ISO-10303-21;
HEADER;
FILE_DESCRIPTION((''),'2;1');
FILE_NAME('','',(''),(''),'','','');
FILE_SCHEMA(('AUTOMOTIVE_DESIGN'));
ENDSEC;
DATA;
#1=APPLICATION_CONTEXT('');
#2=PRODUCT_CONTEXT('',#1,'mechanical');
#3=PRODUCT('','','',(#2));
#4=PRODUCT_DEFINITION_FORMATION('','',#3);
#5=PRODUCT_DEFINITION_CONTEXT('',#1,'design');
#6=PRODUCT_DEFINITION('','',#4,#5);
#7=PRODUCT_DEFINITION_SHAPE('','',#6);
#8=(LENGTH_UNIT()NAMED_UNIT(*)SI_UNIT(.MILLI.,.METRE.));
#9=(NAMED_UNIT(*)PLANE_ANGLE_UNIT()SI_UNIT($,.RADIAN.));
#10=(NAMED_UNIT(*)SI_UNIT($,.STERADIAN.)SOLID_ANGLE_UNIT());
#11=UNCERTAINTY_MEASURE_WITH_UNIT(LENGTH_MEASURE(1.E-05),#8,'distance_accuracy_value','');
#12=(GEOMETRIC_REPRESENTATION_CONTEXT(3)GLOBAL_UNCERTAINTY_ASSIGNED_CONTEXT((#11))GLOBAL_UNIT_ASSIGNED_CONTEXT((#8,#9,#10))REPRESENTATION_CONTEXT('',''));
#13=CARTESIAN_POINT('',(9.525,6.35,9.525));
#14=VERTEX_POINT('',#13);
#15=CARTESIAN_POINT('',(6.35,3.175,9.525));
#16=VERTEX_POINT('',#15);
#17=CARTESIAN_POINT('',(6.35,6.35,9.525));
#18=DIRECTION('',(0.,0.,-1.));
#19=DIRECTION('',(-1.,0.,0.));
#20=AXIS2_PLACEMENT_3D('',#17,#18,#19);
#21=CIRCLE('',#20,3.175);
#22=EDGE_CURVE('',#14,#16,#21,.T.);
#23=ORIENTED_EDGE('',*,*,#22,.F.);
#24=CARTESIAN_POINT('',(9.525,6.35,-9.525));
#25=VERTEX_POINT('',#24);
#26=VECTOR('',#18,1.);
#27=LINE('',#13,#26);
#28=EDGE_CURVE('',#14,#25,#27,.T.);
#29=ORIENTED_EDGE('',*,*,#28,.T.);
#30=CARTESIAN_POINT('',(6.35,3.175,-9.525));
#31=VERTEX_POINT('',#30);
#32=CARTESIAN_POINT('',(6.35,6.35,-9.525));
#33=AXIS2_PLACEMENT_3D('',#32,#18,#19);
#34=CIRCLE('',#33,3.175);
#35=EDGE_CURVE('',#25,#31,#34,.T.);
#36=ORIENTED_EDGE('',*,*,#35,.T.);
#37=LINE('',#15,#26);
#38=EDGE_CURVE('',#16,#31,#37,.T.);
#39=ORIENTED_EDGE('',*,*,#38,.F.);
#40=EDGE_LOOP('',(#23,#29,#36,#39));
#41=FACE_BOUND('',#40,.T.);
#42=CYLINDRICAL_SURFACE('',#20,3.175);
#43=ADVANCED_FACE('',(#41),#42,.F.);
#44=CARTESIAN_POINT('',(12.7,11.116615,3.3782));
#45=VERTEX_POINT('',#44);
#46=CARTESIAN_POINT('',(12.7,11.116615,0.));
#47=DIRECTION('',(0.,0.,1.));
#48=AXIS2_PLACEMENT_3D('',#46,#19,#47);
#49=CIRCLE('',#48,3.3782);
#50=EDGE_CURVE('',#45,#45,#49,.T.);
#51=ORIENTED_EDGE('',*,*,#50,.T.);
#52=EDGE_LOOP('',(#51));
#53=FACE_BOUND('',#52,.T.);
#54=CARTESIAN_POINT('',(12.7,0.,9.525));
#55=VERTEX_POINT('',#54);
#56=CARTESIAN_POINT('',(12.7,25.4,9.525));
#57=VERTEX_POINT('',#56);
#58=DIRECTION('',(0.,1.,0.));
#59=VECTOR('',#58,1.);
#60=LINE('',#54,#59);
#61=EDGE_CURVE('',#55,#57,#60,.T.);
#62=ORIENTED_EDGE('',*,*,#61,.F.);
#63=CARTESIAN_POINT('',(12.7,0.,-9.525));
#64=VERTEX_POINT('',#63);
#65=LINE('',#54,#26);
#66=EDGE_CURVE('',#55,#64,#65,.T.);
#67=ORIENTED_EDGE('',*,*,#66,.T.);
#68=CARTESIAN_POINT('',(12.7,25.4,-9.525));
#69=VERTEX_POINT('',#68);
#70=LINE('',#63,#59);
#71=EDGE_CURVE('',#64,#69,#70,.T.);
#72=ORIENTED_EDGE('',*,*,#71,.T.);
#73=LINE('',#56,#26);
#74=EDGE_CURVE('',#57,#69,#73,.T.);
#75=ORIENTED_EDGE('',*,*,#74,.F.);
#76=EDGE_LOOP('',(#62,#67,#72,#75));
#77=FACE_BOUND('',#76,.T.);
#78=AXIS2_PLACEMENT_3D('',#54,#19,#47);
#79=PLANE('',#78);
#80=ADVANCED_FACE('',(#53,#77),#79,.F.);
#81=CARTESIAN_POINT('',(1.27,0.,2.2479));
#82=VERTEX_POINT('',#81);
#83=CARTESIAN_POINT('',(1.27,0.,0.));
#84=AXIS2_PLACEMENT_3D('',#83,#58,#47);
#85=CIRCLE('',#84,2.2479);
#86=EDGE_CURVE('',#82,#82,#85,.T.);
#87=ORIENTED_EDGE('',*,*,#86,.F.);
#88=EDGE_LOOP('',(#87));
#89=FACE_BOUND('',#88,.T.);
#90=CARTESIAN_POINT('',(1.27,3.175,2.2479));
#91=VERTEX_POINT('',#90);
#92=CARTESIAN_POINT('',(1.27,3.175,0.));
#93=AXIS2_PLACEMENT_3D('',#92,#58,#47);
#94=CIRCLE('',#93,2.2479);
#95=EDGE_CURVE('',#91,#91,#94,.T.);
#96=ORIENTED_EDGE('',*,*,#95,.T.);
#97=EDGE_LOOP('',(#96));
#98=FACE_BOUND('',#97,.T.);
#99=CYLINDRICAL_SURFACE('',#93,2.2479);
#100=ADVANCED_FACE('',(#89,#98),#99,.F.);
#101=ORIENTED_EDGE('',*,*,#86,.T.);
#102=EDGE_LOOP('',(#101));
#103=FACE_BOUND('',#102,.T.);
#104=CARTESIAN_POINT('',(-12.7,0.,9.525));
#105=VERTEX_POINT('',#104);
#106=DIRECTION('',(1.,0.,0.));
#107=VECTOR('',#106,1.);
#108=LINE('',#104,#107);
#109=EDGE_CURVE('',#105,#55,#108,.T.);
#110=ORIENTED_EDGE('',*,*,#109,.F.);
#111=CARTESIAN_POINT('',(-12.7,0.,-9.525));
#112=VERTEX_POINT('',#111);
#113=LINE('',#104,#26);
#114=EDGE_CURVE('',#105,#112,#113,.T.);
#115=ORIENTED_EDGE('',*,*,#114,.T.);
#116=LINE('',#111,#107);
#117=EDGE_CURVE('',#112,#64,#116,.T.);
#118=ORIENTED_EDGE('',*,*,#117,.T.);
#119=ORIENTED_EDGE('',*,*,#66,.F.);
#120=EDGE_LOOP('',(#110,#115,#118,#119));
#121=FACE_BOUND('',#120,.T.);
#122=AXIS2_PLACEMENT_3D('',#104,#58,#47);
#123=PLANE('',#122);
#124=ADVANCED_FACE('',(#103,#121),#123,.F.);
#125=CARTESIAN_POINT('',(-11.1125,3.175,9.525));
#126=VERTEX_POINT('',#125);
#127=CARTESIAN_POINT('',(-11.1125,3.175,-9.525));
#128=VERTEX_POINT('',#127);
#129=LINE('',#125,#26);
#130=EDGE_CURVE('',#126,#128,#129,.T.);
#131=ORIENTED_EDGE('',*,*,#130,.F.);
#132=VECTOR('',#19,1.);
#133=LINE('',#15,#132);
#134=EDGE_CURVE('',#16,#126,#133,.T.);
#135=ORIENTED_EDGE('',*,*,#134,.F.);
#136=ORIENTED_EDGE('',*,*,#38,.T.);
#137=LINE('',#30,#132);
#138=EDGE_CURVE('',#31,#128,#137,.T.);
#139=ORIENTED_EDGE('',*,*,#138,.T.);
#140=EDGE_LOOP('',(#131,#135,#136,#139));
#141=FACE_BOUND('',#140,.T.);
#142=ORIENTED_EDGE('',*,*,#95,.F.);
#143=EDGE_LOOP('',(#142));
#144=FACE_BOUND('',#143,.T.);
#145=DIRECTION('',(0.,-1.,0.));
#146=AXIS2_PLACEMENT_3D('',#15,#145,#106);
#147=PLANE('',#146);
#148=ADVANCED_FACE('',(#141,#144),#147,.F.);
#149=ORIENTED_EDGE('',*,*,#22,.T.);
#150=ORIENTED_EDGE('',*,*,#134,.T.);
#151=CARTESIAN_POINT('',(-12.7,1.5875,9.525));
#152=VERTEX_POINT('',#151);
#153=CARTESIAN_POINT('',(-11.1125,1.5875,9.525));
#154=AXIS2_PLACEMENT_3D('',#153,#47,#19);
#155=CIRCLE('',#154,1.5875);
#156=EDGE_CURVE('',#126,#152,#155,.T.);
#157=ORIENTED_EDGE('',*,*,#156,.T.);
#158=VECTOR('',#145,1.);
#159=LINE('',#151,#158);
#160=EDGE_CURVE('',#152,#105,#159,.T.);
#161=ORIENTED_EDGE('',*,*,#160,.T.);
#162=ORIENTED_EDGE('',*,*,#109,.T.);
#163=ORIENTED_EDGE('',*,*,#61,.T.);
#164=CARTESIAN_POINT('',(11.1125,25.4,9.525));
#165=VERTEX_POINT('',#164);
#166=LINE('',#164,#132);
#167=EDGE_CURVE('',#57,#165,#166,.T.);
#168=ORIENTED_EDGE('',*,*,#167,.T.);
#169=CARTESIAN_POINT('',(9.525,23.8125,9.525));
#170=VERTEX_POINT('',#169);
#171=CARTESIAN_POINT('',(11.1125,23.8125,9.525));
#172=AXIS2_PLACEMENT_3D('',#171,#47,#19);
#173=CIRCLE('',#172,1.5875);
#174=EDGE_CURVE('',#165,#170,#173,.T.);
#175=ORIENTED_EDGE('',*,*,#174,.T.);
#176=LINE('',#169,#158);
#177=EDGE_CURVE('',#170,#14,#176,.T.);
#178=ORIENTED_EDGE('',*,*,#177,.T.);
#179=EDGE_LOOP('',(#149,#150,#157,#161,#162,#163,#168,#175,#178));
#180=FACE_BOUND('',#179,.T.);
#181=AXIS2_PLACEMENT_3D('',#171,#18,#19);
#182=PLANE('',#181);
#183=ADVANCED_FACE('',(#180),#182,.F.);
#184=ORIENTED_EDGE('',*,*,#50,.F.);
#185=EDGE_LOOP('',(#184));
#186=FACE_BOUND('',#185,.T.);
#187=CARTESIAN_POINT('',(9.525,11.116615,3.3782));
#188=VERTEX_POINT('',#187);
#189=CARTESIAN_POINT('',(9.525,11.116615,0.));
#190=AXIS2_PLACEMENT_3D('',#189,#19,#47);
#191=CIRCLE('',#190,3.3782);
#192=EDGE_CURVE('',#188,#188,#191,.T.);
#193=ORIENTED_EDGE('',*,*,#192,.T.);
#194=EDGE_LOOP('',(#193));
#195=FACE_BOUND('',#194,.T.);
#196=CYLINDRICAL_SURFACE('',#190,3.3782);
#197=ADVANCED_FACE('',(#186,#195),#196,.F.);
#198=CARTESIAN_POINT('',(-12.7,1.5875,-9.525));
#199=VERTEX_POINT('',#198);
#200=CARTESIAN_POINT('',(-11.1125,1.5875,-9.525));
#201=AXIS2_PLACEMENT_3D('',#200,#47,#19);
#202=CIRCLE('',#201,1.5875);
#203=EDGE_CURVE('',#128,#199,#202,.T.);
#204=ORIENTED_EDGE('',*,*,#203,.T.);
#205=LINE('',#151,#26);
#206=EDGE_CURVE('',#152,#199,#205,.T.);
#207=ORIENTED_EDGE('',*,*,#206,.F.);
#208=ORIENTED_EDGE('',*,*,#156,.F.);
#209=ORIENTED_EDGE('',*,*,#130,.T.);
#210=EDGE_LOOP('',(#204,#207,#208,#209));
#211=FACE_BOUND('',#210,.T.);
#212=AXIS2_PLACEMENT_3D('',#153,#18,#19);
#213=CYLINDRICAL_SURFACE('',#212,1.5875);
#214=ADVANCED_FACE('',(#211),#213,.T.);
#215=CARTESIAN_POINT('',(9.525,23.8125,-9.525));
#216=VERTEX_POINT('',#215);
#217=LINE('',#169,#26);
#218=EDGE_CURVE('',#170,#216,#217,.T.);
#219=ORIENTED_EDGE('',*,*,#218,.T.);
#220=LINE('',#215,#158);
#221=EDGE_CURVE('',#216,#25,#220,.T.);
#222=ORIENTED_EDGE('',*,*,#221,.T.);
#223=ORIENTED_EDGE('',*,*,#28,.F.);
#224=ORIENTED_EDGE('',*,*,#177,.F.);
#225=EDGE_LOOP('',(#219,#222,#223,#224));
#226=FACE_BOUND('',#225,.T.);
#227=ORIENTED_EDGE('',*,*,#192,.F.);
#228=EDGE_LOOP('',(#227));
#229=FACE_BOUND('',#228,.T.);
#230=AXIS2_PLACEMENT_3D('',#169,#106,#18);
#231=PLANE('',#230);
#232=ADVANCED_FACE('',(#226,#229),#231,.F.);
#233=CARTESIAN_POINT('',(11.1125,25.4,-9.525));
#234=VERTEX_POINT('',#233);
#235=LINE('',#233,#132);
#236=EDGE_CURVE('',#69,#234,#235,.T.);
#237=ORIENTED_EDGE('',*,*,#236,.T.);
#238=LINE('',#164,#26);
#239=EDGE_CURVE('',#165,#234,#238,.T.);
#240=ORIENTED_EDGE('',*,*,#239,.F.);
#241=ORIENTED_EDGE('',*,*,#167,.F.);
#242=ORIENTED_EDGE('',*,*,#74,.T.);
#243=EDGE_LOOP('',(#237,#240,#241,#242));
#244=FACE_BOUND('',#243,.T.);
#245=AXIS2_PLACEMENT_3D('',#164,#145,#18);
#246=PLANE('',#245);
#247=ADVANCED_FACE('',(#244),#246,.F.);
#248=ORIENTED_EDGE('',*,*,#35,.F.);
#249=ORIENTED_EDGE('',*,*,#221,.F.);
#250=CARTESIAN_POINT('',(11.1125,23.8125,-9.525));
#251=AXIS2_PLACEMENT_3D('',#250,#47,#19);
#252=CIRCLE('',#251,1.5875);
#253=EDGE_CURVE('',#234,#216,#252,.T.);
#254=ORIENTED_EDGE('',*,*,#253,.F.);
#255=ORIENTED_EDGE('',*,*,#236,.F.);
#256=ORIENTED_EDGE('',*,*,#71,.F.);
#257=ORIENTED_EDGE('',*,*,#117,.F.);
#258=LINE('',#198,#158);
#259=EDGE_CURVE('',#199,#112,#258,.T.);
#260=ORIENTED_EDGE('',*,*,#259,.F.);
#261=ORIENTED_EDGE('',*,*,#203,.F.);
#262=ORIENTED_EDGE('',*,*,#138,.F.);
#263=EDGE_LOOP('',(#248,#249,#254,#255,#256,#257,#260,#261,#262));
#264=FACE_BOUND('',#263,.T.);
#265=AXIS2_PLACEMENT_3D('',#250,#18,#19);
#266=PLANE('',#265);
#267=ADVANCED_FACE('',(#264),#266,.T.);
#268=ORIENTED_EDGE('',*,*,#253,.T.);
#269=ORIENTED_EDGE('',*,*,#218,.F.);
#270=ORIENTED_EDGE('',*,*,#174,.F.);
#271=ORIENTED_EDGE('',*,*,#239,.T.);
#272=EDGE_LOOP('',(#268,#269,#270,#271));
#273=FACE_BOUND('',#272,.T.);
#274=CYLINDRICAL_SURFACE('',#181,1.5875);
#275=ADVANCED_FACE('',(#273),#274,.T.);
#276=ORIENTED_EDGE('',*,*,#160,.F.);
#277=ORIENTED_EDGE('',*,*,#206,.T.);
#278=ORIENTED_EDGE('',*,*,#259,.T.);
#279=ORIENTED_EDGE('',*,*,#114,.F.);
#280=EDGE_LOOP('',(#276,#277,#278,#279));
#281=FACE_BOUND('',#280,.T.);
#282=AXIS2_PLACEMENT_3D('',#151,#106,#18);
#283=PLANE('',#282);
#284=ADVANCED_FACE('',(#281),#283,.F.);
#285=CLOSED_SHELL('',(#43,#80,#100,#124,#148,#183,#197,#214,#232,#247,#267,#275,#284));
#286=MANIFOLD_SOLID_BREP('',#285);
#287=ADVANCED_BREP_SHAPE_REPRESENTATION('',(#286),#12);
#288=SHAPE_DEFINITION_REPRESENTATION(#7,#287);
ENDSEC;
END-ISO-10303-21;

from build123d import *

# Parameters (mm, degrees)
BOSS_EXTRUDE1_DEPTH     = 9.525
F_1_4_CLEARANCE_HOLE1_D = 6.7564
F_8_CLEARANCE_HOLE1_D   = 4.4958


with BuildPart() as part:
    # Sketch2 → Boss-Extrude1 (new, symmetric)
    with BuildSketch(Plane.XY):
        with BuildLine():
            Line((-12.7, 0), (12.7, 0))
            Line((12.7, 0), (12.7, 25.4))
            Line((12.7, 25.4), (11.1125, 25.4))
            ThreePointArc((11.1125, 25.4), (9.989967985, 24.935032015), (9.525, 23.8125))
            Line((9.525, 23.8125), (9.525, 6.35))
            ThreePointArc((9.525, 6.35), (8.59506403, 4.10493597), (6.35, 3.175))
            Line((6.35, 3.175), (-11.1125, 3.175))
            ThreePointArc((-11.1125, 3.175), (-12.235032015, 2.710032015), (-12.7, 1.5875))
            Line((-12.7, 1.5875), (-12.7, 0))
        make_face()
    extrude(amount=BOSS_EXTRUDE1_DEPTH, both=True)

    # 1/4 Clearance Hole1 (through all)
    with Locations(Plane.ZY.offset(-9.525)):
        with Locations((0, 11.1166148)):
            Hole(F_1_4_CLEARANCE_HOLE1_D / 2)

    # #8 Clearance Hole1 (through all)
    with Locations(Plane(origin=(0, 3.175, 0), x_dir=(1, 0, 0), z_dir=(0, 1, 0))):
        with Locations((1.27, 0)):
            Hole(F_8_CLEARANCE_HOLE1_D / 2)


solid = part.part
